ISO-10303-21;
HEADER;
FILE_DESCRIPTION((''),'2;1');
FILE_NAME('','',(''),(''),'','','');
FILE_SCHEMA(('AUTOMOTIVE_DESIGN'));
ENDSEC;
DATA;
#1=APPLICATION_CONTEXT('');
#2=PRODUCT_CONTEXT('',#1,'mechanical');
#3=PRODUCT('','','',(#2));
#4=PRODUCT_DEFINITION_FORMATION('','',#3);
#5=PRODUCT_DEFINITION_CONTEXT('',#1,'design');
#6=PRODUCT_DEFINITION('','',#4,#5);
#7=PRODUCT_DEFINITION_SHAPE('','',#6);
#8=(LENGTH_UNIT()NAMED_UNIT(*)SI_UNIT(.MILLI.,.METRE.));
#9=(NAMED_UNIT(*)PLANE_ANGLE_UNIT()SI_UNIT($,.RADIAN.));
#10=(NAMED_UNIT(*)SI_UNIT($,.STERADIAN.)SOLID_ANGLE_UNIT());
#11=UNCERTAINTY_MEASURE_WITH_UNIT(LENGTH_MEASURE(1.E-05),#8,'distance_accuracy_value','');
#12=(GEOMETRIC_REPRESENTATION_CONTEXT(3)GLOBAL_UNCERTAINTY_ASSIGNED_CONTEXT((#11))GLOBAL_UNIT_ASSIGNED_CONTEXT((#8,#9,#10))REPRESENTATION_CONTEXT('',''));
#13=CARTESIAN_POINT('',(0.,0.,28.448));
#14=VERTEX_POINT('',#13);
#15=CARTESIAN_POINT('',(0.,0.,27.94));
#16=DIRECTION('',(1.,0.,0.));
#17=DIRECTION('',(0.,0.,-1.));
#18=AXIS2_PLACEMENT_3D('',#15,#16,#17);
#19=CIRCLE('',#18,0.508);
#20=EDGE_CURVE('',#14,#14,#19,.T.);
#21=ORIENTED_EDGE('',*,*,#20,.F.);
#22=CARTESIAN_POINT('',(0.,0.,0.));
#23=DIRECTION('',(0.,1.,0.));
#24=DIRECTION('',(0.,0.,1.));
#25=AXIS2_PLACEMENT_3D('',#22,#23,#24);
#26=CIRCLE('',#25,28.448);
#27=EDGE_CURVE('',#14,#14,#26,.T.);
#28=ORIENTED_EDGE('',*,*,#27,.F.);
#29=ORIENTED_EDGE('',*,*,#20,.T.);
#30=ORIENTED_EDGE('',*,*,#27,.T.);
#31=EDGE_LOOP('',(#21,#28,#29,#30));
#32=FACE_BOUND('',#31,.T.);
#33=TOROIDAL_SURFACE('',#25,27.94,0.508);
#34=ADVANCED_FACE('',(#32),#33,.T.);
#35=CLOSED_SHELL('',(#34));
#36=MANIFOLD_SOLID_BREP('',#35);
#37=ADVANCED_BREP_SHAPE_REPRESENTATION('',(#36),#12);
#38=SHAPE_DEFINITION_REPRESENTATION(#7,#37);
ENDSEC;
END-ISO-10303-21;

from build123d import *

# Parameters (mm, degrees)
SWEEP1_PROFILE_R = 0.508


with BuildPart() as part:
    # Sweep1: sweep along a path in Sketch1
    with BuildLine(Plane(origin=(0, 0, 0), x_dir=(1, 0, 0), z_dir=(0, 1, 0))) as sweep1_path:
        CenterArc((0, 0), 27.94, 0, 360)
    # Sweep1 profile (on start of the path) → Sweep1 (sweep)
    with BuildSketch(Plane(origin=(27.94, 0, 0), x_dir=(-1, 0, 0), z_dir=(0, 0, -1))):
        Circle(SWEEP1_PROFILE_R)
    sweep(path=sweep1_path.line)


solid = part.part
